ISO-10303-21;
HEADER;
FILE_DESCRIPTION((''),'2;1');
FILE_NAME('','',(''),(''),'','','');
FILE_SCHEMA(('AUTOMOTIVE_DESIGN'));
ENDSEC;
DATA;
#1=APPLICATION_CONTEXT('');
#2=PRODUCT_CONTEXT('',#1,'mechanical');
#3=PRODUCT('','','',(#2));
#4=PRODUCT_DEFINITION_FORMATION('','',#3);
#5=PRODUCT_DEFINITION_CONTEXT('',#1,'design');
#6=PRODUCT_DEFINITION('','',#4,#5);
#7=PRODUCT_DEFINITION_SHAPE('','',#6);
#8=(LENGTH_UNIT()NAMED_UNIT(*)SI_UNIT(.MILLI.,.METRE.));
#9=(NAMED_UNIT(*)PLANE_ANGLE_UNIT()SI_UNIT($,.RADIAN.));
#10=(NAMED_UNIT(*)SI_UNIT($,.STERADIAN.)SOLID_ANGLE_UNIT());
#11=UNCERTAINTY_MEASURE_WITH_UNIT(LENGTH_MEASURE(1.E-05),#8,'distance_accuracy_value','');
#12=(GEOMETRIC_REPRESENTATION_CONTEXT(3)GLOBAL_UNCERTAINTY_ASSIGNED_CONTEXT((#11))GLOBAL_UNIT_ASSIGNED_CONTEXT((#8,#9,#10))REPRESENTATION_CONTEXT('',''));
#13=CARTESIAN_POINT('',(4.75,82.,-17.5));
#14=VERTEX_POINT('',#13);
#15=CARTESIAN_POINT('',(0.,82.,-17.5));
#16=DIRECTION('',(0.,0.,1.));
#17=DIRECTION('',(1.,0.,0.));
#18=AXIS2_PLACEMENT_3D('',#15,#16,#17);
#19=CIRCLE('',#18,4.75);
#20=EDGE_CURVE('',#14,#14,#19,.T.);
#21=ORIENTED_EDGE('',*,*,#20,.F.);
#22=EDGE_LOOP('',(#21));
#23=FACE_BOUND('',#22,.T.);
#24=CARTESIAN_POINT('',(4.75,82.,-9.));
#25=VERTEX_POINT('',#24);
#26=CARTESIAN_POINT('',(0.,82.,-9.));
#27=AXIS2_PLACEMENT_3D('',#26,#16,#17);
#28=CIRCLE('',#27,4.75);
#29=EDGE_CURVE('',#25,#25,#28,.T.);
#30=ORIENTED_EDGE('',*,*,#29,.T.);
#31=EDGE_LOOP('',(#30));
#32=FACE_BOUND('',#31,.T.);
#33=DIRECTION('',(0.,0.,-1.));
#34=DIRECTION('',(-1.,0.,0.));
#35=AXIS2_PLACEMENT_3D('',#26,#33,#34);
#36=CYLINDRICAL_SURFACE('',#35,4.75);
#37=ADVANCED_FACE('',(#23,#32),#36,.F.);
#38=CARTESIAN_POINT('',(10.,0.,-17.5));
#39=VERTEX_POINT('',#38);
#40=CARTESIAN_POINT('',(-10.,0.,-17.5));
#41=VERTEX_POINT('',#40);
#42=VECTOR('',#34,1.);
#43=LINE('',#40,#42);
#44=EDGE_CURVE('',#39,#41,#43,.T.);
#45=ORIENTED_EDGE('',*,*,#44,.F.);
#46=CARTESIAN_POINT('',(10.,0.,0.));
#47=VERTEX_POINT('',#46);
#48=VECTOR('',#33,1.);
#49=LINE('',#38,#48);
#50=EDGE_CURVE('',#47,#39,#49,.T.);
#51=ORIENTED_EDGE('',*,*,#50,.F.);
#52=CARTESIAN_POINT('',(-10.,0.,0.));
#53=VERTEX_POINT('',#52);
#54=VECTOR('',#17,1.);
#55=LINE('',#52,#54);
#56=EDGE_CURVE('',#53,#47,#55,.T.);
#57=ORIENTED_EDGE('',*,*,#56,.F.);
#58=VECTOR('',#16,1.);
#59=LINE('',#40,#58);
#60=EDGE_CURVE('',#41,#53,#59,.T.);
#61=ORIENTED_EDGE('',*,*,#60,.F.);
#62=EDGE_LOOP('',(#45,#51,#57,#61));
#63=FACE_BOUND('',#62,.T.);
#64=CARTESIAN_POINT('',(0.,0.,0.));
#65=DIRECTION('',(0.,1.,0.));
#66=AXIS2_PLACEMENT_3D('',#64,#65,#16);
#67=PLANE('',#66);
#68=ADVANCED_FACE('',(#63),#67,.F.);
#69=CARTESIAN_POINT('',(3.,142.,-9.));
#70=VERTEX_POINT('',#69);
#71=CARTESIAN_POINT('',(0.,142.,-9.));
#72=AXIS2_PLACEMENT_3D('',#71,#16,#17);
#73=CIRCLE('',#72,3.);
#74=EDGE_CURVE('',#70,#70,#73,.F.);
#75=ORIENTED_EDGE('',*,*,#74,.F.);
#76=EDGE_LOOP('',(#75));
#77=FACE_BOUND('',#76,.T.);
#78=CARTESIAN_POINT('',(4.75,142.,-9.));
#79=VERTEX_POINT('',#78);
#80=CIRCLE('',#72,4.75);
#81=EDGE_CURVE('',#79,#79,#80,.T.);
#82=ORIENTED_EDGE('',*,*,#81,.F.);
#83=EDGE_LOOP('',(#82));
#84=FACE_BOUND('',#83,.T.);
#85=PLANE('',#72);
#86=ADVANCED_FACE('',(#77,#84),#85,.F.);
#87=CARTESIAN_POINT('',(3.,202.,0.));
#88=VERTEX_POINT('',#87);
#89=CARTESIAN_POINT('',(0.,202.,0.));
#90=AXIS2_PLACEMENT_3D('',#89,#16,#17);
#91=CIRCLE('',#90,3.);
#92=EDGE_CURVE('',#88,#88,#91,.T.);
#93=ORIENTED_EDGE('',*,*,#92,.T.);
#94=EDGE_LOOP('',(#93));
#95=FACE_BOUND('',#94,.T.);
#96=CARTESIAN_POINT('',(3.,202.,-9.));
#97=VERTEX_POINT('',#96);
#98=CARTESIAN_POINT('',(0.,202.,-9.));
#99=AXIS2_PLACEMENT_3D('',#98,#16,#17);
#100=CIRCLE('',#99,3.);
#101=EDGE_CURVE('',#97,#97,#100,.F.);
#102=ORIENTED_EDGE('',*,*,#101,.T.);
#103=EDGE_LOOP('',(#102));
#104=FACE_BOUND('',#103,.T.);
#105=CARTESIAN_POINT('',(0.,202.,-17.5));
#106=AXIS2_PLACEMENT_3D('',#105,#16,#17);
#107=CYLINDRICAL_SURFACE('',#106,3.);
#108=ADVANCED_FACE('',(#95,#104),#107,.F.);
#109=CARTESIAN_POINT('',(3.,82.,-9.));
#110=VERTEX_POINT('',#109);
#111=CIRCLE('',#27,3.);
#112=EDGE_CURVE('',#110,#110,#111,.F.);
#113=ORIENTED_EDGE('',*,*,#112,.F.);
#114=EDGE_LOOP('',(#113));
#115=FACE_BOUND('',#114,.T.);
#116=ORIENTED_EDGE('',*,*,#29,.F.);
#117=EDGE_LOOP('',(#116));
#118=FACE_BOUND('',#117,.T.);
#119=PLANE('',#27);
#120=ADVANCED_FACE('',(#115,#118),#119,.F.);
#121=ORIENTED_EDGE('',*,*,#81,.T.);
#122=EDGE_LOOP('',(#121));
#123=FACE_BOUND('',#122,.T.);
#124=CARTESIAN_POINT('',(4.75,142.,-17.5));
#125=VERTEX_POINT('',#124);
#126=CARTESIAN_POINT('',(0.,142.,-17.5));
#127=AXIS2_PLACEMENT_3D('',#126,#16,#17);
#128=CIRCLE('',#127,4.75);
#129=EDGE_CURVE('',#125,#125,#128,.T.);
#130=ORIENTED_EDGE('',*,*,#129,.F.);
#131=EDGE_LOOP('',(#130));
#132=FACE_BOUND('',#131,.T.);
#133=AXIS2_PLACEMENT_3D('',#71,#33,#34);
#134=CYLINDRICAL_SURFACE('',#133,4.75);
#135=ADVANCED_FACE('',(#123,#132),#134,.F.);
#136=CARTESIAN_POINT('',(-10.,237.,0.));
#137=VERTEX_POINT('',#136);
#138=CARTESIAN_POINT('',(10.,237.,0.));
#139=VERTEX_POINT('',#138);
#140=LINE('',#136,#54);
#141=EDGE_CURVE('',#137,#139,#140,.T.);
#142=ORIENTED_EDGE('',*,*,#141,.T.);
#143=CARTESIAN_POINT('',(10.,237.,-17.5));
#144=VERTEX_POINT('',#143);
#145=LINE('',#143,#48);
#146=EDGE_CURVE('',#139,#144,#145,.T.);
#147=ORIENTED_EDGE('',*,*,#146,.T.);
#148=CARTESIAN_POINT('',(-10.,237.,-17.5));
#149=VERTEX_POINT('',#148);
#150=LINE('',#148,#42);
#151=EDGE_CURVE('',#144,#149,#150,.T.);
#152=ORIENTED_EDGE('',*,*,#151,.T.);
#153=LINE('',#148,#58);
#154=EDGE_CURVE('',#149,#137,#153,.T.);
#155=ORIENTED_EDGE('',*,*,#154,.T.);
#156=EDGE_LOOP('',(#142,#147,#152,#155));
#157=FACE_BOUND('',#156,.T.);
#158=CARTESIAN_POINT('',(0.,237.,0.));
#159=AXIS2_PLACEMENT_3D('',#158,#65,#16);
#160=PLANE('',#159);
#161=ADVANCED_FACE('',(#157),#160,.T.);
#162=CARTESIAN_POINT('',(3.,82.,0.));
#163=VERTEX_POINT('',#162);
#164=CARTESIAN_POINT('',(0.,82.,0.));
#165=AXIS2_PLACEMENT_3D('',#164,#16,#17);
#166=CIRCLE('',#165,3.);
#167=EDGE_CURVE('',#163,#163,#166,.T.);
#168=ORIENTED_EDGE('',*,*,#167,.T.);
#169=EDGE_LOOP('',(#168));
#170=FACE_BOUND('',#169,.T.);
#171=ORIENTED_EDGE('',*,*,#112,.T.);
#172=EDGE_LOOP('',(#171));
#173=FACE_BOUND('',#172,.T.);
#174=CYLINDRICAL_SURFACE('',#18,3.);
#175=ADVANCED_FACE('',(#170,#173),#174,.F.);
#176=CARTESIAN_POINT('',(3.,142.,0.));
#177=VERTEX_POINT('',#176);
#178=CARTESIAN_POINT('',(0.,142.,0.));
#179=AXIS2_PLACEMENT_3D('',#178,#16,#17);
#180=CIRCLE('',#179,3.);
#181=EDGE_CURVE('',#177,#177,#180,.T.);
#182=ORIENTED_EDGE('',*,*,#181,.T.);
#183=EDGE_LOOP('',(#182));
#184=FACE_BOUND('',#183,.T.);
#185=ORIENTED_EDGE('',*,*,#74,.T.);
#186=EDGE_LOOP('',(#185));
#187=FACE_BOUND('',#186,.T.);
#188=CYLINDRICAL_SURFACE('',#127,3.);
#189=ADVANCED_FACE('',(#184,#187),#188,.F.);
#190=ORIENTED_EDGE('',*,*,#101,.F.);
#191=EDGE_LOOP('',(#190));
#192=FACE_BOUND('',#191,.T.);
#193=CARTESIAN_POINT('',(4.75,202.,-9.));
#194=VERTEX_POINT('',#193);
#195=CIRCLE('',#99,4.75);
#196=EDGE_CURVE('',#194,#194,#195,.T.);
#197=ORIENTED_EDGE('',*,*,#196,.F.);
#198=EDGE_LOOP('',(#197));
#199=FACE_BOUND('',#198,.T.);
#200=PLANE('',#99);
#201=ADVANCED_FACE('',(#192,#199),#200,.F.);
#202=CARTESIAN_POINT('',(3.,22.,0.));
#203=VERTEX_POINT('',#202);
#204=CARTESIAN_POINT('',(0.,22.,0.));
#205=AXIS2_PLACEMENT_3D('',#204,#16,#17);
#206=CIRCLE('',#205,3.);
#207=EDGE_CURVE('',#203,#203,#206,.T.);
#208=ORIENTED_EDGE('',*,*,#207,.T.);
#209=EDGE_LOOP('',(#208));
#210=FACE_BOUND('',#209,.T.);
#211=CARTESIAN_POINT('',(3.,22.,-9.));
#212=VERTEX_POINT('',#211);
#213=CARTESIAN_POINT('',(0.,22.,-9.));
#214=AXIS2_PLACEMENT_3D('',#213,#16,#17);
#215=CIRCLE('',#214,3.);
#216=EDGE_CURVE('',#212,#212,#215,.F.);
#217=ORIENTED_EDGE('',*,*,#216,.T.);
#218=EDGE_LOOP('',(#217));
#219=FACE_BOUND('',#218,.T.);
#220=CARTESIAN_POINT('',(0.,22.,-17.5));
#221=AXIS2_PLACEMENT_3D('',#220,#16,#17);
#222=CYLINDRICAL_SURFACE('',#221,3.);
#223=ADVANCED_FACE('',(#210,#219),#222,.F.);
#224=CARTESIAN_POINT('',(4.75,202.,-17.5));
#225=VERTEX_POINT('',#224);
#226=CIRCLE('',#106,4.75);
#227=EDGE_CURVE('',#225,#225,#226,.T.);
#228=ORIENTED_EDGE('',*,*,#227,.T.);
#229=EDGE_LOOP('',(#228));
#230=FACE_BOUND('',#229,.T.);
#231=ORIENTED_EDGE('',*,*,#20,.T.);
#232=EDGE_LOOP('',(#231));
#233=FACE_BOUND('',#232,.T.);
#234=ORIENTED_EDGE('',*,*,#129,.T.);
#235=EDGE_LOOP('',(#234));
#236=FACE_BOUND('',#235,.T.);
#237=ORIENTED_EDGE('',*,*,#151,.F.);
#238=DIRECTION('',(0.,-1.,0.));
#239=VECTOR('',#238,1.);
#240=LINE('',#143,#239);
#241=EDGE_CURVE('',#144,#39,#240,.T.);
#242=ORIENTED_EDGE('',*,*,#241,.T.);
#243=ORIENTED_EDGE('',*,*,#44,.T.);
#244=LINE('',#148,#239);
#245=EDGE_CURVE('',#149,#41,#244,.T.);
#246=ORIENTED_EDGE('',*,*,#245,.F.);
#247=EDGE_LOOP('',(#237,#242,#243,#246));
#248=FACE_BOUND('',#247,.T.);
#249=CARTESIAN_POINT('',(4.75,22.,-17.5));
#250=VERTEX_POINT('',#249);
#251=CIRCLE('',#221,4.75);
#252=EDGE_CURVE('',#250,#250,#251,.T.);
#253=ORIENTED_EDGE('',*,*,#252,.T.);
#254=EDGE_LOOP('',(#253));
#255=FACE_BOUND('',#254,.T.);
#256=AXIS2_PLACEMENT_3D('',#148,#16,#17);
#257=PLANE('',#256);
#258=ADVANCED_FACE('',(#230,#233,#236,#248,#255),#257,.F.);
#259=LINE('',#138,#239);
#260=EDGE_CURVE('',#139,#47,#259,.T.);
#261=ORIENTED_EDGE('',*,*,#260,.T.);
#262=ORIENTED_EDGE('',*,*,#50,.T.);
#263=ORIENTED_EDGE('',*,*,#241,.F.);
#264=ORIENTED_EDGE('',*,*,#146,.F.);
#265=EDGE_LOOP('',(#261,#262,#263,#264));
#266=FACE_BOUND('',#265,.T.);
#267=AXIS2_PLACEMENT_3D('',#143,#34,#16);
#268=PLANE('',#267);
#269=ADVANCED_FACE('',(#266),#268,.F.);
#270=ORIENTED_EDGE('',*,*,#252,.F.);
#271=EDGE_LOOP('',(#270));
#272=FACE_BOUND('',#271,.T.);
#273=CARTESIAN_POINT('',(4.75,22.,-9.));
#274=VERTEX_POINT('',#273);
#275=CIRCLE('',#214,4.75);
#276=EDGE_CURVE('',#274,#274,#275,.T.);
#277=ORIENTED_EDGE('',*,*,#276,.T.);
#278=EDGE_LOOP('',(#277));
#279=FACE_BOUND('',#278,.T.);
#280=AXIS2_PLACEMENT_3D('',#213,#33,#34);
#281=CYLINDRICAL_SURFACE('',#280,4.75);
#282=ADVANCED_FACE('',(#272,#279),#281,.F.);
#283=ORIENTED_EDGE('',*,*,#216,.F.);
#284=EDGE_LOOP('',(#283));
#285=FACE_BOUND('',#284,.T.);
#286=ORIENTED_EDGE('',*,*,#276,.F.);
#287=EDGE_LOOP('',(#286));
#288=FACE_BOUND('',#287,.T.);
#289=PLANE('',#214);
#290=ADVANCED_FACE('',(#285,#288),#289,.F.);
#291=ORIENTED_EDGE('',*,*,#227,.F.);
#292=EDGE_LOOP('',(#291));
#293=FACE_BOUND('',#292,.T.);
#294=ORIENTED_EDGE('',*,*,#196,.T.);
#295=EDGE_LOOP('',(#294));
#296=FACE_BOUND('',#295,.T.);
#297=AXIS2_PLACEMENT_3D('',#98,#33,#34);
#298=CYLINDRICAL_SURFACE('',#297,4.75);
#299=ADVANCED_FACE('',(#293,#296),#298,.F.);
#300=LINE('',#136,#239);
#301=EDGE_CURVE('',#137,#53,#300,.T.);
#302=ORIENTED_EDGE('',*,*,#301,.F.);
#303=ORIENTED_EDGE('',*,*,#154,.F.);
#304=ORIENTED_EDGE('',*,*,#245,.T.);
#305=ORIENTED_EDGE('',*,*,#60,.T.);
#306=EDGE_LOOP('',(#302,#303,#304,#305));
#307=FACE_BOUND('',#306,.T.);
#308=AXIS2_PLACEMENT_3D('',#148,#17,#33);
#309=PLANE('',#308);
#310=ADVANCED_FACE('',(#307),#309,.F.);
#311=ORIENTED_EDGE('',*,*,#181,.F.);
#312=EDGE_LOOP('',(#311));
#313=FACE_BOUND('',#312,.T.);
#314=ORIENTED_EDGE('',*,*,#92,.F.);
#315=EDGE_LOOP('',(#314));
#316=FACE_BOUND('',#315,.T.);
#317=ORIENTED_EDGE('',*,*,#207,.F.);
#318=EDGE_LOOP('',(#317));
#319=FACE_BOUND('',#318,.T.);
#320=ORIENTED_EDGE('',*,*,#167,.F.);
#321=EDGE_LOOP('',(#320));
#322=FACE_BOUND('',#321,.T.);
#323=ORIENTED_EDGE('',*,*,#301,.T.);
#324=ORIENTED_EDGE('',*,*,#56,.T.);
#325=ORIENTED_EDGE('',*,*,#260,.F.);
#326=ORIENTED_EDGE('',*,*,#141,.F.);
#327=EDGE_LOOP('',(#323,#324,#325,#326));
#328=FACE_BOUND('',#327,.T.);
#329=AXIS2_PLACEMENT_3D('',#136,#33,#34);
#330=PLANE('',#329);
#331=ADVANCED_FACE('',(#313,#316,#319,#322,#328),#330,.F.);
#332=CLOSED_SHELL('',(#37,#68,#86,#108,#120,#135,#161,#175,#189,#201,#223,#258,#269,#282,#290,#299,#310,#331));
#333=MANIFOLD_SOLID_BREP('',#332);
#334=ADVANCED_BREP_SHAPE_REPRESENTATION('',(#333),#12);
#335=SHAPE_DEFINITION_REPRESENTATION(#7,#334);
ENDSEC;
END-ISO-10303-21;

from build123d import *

# Parameters (mm, degrees)
SKETCH_1_W          = 20
SKETCH_1_H          = 17.5
EXTRUDE_1_DEPTH     = 237
SKETCH_2_R          = 3
CUT_EXTRUDE_1_DEPTH = 238.855523375
CUT_EXTRUDE_START   = -17.5
SKETCH_3_R          = 4.75
CUT_EXTRUDE_2_DEPTH = 8.5


with BuildPart() as part:
    # 草图1 → 凸台-拉伸1 (new body)
    with BuildSketch(Plane(origin=(0, 0, 0), x_dir=(1, 0, 0), z_dir=(0, 1, 0))):
        with Locations((0, 8.75)):
            Rectangle(SKETCH_1_W, SKETCH_1_H)
    extrude(amount=EXTRUDE_1_DEPTH)

    # 草图2 → 切除-拉伸1 (cut, through all)
    with BuildSketch(Plane.XY):
        with Locations((0, 22)):
            Circle(SKETCH_2_R)
        with Locations((0, 82)):
            Circle(SKETCH_2_R)
        with Locations((0, 142)):
            Circle(SKETCH_2_R)
        with Locations((0, 202)):
            Circle(SKETCH_2_R)
        with Locations((0, 262)):
            Circle(SKETCH_2_R)
    extrude(amount=-CUT_EXTRUDE_1_DEPTH, mode=Mode.SUBTRACT)

    # 草图3 → 切除-拉伸2 (cut)
    with BuildSketch(Plane.XY.offset(CUT_EXTRUDE_START)):
        with Locations((0, 22)):
            Circle(SKETCH_3_R)
        with Locations((0, 82)):
            Circle(SKETCH_3_R)
        with Locations((0, 142)):
            Circle(SKETCH_3_R)
        with Locations((0, 202)):
            Circle(SKETCH_3_R)
        with Locations((0, 262)):
            Circle(SKETCH_3_R)
    extrude(amount=CUT_EXTRUDE_2_DEPTH, mode=Mode.SUBTRACT)


solid = part.part
